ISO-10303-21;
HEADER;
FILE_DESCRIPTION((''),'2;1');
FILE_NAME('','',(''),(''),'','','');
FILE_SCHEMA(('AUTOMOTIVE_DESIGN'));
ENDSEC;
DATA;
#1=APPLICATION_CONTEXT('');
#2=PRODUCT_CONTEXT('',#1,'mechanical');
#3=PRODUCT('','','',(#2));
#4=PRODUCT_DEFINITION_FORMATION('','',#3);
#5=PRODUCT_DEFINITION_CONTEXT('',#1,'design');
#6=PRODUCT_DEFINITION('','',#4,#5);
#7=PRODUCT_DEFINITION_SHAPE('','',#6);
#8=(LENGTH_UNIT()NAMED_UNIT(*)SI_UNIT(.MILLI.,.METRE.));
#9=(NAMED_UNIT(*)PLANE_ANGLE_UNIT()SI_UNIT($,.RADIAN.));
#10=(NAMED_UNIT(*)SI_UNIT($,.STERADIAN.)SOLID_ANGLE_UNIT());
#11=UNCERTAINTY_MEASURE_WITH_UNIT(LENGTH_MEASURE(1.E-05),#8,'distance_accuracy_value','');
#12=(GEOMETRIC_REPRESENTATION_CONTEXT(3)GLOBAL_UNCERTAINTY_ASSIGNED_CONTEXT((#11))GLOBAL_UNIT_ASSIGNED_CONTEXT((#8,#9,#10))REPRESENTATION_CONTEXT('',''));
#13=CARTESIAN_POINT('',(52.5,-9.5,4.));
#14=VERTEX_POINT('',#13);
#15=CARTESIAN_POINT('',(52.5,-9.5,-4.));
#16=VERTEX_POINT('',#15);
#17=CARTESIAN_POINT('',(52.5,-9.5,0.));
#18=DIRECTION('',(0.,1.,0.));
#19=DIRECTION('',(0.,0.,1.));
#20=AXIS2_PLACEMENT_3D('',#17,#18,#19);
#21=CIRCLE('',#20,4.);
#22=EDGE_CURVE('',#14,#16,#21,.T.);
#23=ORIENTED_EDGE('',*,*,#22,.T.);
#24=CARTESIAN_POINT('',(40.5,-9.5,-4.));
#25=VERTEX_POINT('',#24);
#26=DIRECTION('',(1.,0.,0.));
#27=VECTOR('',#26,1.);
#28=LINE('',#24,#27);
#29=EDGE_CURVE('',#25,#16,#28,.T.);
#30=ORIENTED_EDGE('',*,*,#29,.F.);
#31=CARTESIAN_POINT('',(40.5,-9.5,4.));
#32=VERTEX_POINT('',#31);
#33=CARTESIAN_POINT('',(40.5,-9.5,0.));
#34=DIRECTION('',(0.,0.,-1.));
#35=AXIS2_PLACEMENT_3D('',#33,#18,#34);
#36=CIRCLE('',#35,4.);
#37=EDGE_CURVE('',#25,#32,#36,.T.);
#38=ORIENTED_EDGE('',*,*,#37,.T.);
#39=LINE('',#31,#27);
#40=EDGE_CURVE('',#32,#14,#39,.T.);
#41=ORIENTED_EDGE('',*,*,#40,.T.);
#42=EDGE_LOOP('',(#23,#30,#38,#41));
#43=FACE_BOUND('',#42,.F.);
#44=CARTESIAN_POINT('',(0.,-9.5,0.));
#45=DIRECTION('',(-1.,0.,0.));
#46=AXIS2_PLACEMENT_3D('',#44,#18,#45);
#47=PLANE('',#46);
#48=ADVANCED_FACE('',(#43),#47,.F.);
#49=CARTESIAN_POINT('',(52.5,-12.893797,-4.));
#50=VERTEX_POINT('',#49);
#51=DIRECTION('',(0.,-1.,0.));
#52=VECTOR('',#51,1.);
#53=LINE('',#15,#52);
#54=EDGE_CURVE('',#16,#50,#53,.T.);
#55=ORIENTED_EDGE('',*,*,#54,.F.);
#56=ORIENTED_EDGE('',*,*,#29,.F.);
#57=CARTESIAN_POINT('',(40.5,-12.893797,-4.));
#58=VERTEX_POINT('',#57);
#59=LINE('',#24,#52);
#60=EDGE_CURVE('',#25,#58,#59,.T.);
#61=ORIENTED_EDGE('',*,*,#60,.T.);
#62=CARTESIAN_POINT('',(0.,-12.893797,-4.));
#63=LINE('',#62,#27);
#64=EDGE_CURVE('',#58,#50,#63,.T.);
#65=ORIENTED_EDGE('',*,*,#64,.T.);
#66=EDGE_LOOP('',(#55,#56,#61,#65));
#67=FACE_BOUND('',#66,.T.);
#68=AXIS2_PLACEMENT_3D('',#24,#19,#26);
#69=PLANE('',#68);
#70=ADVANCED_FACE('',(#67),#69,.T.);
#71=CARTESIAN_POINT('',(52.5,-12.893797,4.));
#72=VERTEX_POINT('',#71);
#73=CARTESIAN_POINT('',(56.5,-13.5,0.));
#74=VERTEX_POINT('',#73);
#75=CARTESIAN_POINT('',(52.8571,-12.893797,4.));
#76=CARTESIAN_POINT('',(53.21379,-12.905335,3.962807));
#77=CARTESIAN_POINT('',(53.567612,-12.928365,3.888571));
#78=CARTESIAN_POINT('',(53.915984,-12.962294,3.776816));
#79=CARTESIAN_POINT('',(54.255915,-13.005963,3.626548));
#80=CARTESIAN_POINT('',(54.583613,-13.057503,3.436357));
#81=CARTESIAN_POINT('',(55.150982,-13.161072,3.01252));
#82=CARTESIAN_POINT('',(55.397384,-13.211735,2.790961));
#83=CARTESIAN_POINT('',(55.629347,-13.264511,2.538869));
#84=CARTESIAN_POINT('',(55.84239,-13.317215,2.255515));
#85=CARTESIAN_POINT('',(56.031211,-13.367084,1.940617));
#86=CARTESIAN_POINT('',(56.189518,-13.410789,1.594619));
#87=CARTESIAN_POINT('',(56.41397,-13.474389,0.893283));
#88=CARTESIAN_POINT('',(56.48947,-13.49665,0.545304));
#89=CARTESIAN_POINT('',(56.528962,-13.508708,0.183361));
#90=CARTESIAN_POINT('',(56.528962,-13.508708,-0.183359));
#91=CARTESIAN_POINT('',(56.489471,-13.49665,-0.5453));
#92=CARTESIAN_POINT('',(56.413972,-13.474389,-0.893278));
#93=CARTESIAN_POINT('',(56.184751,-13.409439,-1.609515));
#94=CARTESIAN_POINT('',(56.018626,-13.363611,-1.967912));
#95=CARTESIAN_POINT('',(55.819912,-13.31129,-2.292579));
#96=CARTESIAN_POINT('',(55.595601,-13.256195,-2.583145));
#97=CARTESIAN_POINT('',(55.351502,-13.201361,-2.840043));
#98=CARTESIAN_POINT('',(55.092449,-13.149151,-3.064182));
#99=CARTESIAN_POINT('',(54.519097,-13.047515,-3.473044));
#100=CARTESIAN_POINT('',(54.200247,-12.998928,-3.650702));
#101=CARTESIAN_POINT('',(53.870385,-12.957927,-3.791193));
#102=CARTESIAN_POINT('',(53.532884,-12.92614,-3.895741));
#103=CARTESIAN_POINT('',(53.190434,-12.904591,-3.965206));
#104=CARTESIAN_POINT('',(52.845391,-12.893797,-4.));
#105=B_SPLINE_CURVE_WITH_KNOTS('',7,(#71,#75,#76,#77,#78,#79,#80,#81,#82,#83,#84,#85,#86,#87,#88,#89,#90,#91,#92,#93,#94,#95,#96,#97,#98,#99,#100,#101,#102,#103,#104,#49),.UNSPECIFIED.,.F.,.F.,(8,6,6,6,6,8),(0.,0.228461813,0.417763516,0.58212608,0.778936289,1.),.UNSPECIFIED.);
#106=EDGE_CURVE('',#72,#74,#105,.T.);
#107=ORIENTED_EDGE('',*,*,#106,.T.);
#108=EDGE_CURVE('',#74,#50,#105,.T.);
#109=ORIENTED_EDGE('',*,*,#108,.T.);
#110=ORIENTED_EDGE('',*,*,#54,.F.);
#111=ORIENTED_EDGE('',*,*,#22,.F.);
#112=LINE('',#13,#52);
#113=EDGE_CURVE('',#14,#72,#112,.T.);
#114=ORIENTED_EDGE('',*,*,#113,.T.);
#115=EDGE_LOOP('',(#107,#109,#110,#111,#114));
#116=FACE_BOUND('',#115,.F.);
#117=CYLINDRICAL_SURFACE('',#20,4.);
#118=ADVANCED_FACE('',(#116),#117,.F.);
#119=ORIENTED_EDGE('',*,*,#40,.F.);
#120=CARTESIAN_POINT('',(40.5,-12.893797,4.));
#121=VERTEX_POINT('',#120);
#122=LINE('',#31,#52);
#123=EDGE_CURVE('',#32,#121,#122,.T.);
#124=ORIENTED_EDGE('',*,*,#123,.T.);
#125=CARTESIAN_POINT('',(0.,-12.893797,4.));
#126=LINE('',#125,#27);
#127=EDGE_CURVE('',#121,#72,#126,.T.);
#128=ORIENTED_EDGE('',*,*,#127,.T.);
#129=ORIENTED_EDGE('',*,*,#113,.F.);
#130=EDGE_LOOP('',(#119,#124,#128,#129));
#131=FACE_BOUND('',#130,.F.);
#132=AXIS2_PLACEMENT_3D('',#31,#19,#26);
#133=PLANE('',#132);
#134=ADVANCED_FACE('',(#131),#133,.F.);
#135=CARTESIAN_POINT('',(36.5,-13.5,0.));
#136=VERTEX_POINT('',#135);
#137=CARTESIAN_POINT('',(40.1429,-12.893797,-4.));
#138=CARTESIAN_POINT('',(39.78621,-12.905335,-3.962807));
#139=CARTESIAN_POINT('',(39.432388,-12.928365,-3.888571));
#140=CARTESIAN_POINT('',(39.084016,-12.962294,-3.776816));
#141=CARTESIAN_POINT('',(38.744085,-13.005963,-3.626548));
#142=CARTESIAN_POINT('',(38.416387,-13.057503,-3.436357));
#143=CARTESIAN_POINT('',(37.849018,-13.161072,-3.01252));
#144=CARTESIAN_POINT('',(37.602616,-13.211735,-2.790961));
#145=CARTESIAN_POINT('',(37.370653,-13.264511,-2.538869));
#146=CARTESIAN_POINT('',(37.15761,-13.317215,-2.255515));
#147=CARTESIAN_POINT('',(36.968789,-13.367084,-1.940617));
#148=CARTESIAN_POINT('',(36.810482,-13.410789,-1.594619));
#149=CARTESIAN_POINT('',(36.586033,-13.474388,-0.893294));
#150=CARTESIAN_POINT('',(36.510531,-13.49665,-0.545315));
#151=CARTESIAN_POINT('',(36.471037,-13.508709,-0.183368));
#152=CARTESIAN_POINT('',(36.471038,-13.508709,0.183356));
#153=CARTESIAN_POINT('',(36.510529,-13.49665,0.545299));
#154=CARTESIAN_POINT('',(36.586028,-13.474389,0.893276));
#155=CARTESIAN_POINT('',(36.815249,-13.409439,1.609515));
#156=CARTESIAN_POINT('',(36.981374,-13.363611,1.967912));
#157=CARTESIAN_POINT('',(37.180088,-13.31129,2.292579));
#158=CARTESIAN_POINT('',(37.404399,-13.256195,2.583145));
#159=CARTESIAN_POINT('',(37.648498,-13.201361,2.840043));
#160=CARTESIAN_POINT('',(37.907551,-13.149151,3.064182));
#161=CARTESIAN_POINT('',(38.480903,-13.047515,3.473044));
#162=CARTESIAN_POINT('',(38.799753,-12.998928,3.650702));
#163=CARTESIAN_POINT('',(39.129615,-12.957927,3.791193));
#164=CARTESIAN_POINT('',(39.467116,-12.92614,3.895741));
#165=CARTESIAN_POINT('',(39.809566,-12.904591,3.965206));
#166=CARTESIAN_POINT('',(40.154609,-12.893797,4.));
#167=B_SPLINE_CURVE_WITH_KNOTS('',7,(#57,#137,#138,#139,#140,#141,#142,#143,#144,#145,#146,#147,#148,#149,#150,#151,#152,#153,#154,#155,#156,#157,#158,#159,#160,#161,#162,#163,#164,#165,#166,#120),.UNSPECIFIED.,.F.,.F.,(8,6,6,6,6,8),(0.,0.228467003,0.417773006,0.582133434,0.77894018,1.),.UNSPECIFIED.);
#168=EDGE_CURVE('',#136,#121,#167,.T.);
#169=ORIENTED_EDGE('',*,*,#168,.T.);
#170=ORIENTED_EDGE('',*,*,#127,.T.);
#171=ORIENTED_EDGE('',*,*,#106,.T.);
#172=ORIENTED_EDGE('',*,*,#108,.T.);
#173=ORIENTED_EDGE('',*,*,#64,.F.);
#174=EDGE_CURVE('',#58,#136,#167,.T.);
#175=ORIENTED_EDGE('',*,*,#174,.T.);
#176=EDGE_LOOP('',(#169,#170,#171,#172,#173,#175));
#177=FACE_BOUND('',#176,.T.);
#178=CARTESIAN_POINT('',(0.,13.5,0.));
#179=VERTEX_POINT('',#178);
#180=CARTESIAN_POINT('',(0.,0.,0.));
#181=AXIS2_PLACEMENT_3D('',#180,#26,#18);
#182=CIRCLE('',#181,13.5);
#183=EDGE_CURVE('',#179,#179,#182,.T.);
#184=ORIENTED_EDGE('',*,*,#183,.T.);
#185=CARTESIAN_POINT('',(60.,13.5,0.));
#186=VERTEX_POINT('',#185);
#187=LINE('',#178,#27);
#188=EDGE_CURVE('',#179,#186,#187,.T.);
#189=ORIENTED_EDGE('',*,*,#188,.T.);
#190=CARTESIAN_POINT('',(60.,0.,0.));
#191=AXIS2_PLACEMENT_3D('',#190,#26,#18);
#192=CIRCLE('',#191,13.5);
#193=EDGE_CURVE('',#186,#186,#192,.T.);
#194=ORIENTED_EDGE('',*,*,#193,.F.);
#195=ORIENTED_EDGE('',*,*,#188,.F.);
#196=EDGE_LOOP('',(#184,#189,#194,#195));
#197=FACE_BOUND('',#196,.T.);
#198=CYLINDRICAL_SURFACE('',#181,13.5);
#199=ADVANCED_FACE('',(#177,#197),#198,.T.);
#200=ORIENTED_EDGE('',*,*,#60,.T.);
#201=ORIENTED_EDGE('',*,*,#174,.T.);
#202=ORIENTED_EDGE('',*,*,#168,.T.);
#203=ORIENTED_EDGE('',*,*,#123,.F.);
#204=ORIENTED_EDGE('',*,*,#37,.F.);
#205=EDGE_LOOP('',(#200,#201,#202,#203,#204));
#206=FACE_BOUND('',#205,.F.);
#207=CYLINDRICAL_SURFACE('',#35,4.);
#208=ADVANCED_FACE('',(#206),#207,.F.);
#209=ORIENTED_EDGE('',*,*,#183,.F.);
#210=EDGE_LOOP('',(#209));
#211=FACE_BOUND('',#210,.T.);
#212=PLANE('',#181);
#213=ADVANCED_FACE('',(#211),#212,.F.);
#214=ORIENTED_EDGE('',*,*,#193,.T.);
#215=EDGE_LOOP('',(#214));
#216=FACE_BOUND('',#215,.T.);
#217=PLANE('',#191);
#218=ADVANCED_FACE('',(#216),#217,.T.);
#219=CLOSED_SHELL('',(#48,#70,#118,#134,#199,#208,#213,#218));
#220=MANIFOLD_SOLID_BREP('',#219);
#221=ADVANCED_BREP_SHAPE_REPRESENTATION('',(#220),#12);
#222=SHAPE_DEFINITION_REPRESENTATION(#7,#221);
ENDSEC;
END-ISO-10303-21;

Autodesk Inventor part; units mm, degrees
ref_plane "YZ Plane" through (0, 0, 0) normal (1, 0, 0) x (0, 1, 0)
ref_plane "XY Plane" through (0, 0, 0) normal (0, 0, 1) x (1, 0, 0)
sketch "Sketch1" plane through (0, 0, 0) normal (0, 0, 1) x (1, 0, 0)
  line L0 (0, 0) -> (0, 13.5)
  line L1 (0, 13.5) -> (60, 13.5)
  line L2 (60, 13.5) -> (60, 0)
  line L3 (60, 0) -> (0, 0)
  line L4 (0, 0) -> (64.8862, 0) construction
  dimension "d0" = 13.5
  dimension "d1" = 60
revolve "Revolution3" add sketch "Sketch1" angle 360 about axis through (0, 0, 0) along (1, 0, 0)
ref_plane "Work Plane3" through (0, -9.5, 0) normal (0, 1, 0) x (-1, 0, 0)
sketch "Sketch5" plane through (0, -9.5, 0) normal (0, 1, 0) x (-1, 0, 0)
  line L0 (0, 0) -> (-33, 0) construction
  line L1 (-33, 0) -> (-36.5, 0) construction
  line L2 (-36.5, 0) -> (-56.5, 0) construction
  line L3 (-46.5, 0) -> (-40.5, 0)
  line L4 (-40.5, 0) -> (-52.5, 0)
  arc A0 (-40.5, -4) -> (-40.5, 4) centre (-40.5, 0) ccw
  arc A1 (-52.5, 4) -> (-52.5, -4) centre (-52.5, 0) ccw
  line L5 (-40.5, -4) -> (-52.5, -4)
  line L6 (-40.5, 4) -> (-52.5, 4)
  dimension "d39" = 33
  dimension "d40" = 3.5
  dimension "d41" = 20
  dimension "d42" = 6
  dimension "d43" = 12
  dimension "d44" = 8
  dimension "d45" = 8
sketch "Sketch6" plane through (0, 0, 0) normal (-1, 0, 0) x (0, 0, 1)
  circle A0 centre (0, 0) radius 13.5 projected
  line L0 (0, 13.5) -> (0, -9.5)
  line L1 (0, -9.5) -> (9.5917, -9.5)
  line L2 (0, -9.5) -> (-9.5917, -9.5)
  dimension "d46" = 23
extrude "Extrusion1" cut sketch "Sketch5" against normal blind 4
thread "Thread1" size "M27x3" class "6g" standard "ANSI Metric M Profile" length 33
sketch "Sketch7" plane through (52.5, -9.5, 4) normal (0, 0, -1) x (-1, 0, 0)
  point P0 (52.5, 9.5)
properties part number "Cilindro Inicial con Corte" material "Aluminum 6061"
